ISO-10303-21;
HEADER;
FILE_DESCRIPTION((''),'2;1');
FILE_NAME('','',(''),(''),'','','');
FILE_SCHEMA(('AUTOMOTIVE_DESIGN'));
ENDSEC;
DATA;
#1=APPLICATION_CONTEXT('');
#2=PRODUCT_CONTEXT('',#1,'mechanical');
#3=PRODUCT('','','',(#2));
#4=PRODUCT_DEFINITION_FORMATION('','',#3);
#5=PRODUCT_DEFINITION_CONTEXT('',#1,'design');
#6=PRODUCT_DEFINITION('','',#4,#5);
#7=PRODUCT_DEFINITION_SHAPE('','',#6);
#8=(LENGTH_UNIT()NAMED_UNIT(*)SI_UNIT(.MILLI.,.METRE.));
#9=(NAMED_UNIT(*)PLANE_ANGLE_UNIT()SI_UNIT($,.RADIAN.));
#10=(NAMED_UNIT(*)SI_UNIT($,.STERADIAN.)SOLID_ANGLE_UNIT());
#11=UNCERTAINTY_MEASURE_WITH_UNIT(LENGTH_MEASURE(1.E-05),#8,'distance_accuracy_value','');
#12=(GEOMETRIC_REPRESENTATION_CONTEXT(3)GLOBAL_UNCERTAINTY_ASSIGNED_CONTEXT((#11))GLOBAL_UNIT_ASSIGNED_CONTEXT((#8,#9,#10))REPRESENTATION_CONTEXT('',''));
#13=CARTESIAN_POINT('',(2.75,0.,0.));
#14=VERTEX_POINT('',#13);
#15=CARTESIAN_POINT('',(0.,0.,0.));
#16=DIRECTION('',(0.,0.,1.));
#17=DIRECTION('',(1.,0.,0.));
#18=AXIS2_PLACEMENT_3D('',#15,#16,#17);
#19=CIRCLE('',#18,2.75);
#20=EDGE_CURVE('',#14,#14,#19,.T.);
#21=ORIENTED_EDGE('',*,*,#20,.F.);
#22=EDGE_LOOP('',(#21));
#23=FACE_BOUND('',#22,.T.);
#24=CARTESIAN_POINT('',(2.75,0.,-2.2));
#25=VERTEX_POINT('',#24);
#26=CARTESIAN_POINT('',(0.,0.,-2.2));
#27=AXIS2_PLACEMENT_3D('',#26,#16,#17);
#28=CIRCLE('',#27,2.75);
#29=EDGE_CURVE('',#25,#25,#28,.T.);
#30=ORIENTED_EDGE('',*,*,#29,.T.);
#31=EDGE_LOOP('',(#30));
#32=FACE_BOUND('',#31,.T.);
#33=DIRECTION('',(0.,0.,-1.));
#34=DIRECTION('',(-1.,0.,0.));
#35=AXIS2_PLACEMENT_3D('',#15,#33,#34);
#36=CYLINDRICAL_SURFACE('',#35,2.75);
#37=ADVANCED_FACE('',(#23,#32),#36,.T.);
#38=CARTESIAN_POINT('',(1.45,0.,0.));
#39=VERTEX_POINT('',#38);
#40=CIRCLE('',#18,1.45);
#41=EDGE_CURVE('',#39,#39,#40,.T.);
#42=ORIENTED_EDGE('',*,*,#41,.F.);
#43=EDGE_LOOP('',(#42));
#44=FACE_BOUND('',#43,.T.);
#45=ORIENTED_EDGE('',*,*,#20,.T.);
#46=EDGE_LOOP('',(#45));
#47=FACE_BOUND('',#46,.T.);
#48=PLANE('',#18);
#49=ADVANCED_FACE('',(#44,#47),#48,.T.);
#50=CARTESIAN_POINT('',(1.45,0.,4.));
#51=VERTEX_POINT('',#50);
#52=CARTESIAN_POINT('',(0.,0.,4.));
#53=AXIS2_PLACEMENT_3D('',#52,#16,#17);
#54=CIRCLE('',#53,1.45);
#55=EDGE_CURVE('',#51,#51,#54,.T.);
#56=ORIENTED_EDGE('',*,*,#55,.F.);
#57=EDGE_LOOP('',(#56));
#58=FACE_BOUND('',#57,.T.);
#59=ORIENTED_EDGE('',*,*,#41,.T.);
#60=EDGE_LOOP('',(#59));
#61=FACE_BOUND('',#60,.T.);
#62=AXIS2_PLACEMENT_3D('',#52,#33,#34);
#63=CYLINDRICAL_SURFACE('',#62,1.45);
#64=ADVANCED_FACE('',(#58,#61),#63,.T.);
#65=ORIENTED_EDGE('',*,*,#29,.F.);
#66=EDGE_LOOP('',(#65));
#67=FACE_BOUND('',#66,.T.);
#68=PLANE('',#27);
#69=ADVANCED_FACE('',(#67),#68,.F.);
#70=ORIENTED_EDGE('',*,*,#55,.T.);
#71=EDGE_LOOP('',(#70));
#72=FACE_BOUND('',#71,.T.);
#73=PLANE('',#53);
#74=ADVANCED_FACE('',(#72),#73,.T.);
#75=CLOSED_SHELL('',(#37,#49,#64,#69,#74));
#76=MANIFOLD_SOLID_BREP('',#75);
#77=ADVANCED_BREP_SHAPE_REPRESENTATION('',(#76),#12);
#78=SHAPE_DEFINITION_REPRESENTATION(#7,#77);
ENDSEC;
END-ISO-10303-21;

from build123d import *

# Parameters (mm, degrees)
BOSS_EXTRUDE1_START = -2.2
SKETCH1_R           = 2.75
BOSS_EXTRUDE1_DEPTH = 2.2
SKETCH2_R           = 1.45
BOSS_EXTRUDE2_DEPTH = 4


with BuildPart() as part:
    # Sketch1 → Boss-Extrude1 (new body)
    with BuildSketch(Plane.XY.offset(BOSS_EXTRUDE1_START)):
        Circle(SKETCH1_R)
    extrude(amount=BOSS_EXTRUDE1_DEPTH)

    # Sketch2 → Boss-Extrude2 (add)
    with BuildSketch(Plane.XY):
        Circle(SKETCH2_R)
    extrude(amount=BOSS_EXTRUDE2_DEPTH)


solid = part.part
